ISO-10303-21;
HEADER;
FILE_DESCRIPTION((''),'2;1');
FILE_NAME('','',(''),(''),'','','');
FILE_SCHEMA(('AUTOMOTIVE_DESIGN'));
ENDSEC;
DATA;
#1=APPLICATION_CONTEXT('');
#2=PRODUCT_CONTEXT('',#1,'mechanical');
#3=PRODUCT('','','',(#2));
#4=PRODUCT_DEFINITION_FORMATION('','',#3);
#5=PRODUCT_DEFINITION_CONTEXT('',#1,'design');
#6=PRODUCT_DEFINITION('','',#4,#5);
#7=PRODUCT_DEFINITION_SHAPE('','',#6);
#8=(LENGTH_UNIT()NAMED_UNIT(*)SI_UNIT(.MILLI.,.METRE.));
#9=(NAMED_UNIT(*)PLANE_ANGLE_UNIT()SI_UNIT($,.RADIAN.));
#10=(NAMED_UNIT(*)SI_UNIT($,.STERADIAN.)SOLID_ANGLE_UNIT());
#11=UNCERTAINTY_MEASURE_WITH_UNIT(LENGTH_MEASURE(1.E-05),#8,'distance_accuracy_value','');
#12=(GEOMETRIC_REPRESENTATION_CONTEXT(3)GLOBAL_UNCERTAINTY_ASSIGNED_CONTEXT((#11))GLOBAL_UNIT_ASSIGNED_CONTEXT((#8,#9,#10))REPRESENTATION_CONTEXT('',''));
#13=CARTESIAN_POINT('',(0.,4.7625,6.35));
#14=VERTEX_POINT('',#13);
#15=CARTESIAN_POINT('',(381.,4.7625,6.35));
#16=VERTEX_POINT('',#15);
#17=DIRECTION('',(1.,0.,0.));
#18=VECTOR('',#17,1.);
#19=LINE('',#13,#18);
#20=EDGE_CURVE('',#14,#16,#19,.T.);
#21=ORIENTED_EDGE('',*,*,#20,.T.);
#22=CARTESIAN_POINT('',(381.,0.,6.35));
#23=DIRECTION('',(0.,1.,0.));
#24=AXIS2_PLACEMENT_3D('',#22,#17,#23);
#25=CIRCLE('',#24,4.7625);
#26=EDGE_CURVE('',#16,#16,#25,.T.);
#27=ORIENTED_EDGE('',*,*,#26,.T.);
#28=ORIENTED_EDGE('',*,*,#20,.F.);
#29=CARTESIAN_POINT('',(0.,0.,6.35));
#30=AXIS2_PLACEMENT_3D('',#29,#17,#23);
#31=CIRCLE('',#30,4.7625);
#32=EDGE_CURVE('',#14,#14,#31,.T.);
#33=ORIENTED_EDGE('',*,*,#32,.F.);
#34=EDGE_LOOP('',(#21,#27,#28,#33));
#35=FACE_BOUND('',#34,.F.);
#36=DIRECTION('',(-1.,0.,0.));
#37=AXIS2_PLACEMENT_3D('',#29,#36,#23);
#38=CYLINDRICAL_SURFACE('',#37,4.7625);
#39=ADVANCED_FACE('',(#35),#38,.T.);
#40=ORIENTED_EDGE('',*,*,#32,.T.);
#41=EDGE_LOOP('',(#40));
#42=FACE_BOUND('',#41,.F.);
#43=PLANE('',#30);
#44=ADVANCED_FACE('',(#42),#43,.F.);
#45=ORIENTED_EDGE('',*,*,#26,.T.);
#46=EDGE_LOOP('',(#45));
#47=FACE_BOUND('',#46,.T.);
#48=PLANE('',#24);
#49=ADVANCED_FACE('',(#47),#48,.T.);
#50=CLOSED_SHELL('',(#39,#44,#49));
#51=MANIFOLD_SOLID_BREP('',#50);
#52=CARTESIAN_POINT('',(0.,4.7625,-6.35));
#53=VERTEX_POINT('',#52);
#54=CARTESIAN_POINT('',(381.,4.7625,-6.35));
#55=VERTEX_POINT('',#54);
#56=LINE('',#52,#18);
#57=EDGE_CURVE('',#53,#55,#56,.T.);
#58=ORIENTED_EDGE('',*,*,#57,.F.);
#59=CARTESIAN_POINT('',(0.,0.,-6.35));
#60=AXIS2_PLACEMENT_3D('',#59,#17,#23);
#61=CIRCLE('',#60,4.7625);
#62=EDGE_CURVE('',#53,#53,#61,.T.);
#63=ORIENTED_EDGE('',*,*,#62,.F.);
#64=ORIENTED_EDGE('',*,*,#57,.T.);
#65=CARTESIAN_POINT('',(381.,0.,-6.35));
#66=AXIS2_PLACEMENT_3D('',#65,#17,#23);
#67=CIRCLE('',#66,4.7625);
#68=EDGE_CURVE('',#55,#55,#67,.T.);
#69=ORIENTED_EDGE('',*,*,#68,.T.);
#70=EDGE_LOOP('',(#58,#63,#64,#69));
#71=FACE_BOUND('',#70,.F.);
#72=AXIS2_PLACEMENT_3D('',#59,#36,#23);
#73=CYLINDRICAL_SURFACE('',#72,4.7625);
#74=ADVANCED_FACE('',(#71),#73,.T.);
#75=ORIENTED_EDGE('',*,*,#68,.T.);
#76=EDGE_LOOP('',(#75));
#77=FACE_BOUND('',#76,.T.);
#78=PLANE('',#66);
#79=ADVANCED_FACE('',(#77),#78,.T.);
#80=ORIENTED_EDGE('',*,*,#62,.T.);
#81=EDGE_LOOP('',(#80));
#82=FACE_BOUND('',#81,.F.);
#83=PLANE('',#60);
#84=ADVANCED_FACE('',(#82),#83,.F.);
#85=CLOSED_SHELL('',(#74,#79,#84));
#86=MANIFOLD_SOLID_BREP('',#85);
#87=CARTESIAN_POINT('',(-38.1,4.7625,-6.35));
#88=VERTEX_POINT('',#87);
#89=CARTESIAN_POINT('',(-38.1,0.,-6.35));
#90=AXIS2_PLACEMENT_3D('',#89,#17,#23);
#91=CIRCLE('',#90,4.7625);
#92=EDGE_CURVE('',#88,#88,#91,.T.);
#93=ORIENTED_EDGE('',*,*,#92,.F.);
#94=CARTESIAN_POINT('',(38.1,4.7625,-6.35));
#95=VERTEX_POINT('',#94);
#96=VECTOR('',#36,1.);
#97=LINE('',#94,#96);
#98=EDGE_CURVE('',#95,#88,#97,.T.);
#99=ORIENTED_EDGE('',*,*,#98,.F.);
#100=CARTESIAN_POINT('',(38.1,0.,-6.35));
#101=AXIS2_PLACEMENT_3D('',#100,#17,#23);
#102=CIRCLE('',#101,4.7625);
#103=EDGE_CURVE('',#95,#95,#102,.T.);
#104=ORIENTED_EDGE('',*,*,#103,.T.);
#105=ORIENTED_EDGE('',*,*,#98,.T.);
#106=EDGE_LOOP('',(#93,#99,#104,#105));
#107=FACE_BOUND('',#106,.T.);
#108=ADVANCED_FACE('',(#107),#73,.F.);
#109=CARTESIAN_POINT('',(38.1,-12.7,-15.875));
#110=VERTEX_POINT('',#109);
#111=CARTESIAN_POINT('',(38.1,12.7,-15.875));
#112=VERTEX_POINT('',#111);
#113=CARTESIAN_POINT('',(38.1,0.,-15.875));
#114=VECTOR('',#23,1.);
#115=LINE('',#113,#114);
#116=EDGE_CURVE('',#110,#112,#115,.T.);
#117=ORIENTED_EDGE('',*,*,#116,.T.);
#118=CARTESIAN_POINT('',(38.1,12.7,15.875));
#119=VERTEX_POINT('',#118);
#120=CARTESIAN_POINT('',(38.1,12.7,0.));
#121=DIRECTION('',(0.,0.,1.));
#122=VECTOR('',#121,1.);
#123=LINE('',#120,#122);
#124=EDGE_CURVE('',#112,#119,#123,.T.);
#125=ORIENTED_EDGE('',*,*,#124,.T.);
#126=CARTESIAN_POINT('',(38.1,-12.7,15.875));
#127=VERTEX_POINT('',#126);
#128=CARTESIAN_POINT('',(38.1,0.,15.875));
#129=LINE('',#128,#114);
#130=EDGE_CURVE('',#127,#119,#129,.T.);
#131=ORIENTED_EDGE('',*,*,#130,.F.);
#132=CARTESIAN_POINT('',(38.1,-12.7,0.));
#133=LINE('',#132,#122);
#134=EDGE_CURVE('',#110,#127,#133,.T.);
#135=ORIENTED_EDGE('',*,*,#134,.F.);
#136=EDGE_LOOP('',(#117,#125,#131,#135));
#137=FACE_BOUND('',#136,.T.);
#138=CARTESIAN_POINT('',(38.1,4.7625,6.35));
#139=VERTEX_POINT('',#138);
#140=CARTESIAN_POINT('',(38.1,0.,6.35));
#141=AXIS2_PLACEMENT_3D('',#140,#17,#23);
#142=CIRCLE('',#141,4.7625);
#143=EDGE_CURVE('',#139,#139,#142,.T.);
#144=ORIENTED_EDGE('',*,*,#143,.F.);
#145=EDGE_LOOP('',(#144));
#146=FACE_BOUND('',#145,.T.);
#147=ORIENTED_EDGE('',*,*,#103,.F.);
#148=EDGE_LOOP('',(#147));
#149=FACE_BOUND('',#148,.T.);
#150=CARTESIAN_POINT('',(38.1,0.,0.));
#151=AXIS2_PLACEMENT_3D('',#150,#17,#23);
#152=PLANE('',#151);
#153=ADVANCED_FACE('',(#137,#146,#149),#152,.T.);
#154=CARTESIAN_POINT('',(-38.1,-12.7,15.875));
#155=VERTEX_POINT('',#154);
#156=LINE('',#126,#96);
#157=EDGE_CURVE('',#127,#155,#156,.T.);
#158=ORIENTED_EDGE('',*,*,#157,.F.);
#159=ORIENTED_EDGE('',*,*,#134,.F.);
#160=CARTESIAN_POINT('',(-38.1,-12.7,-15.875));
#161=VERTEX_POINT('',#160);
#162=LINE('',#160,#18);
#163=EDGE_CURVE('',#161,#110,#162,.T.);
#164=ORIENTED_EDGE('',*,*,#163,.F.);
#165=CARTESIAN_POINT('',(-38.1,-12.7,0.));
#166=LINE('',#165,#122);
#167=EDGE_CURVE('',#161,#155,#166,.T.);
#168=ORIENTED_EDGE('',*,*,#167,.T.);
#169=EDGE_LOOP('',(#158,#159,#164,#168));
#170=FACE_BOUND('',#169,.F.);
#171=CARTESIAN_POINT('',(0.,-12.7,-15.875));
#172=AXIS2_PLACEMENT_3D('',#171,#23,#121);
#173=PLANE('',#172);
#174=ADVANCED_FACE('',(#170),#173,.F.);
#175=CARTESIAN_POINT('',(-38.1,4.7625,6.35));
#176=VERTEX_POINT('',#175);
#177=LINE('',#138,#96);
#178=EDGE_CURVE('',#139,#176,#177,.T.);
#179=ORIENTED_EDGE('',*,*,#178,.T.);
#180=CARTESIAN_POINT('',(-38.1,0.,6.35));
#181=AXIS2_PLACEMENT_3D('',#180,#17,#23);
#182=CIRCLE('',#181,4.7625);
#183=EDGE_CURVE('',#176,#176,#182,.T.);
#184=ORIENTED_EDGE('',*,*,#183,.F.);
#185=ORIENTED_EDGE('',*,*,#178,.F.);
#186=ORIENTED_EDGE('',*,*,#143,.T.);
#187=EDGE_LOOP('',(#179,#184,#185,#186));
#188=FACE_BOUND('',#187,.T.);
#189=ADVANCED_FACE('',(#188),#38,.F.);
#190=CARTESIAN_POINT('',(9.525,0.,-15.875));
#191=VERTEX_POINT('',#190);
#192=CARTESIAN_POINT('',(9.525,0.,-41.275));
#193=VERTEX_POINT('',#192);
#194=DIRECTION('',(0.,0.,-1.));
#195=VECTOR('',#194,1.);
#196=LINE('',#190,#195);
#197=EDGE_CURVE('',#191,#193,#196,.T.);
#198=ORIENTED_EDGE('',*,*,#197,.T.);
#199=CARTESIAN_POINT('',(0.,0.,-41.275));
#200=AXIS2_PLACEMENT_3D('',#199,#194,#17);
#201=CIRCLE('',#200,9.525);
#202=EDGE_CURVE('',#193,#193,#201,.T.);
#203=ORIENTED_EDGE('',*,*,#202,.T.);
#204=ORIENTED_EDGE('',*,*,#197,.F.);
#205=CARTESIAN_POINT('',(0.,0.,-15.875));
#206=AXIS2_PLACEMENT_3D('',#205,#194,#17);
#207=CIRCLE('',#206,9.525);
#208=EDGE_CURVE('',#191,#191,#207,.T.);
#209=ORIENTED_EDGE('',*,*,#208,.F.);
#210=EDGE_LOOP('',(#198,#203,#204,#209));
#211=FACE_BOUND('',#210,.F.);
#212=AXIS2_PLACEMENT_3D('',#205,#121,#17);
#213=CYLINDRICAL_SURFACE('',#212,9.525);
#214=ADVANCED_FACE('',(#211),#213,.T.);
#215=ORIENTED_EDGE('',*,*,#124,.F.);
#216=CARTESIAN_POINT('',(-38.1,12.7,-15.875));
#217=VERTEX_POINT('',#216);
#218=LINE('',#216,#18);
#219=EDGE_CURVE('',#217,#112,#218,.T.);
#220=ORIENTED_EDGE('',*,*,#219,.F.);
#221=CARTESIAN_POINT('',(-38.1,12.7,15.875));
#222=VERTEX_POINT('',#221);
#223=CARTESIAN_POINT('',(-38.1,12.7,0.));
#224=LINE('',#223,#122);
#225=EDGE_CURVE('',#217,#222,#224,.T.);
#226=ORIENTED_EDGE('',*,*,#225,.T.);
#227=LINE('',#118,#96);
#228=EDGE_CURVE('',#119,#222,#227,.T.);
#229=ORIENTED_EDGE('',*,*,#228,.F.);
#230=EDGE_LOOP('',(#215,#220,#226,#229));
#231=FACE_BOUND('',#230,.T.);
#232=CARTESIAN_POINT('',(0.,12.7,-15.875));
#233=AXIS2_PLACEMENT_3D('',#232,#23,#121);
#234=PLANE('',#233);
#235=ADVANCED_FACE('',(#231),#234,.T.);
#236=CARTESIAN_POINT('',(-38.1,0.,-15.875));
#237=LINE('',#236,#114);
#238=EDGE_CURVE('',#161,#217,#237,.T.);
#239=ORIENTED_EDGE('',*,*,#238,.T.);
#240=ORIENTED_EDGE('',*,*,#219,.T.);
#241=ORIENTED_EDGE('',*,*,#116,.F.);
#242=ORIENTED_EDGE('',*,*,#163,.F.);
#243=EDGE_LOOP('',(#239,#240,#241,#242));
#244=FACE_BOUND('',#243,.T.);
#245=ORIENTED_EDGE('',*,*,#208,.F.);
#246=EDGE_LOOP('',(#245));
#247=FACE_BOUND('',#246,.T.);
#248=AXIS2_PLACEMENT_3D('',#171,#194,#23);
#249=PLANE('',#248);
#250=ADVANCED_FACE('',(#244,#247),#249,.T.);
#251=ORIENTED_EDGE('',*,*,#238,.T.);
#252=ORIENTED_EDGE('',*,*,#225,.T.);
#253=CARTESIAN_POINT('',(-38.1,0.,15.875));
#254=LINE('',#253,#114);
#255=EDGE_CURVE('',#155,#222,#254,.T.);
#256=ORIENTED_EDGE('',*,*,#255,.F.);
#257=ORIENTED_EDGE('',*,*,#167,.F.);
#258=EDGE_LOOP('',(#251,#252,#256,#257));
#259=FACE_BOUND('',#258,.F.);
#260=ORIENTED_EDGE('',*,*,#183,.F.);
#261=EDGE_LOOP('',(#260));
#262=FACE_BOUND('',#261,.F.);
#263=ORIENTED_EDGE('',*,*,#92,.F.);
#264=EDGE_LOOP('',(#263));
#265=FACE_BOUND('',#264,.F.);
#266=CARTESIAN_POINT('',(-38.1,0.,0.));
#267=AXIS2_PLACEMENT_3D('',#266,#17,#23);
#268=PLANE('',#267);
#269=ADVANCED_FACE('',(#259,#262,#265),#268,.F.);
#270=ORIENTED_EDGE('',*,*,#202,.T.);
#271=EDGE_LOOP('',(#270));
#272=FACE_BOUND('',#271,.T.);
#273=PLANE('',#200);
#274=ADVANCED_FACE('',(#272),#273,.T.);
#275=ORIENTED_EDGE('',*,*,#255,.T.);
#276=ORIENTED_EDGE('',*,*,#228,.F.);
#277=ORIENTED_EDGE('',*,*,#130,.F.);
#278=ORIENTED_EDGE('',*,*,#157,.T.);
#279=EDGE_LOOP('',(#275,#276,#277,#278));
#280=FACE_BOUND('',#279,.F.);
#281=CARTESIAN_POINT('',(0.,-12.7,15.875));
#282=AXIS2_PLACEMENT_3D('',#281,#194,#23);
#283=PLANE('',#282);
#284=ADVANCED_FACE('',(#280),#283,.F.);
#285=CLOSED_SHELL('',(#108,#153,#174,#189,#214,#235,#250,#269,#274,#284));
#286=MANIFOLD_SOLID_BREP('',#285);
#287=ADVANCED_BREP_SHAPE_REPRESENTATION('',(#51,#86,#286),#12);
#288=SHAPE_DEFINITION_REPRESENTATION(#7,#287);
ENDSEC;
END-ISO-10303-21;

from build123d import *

# Parameters (mm, degrees)
F0_W     = 25.4
F0_H     = 31.75
F0_R     = 4.7625
F1_DEPTH = 38.1
F2_DEPTH = 381
F3_R     = 9.525
F4_DEPTH = 25.4


with BuildPart() as f1:
    # F0 (on Right) → F1 (new body, symmetric)
    with BuildSketch(Plane.YZ):
        Rectangle(F0_W, F0_H)
        with Locations((0, -6.35)):
            Circle(F0_R, mode=Mode.SUBTRACT)
        with Locations((0, 6.35)):
            Circle(F0_R, mode=Mode.SUBTRACT)
    extrude(amount=F1_DEPTH, both=True)

    # F3 (on face) → F4 (join)
    with BuildSketch(Plane(origin=(0, 0, -15.875), x_dir=(1, 0, 0), z_dir=(0, 0, -1))):
        Circle(F3_R)
    extrude(amount=F4_DEPTH)


with BuildPart() as f2:
    # F0 (on Right) → F2 (new body)
    with BuildSketch(Plane.YZ):
        with Locations((0, 6.35)):
            Circle(F0_R)
    extrude(amount=F2_DEPTH)


with BuildPart() as f2b:
    # F0 (on Right) → F2, piece 2 (new body)
    with BuildSketch(Plane.YZ):
        with Locations((0, -6.35)):
            Circle(F0_R)
    extrude(amount=F2_DEPTH)


solid = Compound([f1.part, f2.part, f2b.part])
